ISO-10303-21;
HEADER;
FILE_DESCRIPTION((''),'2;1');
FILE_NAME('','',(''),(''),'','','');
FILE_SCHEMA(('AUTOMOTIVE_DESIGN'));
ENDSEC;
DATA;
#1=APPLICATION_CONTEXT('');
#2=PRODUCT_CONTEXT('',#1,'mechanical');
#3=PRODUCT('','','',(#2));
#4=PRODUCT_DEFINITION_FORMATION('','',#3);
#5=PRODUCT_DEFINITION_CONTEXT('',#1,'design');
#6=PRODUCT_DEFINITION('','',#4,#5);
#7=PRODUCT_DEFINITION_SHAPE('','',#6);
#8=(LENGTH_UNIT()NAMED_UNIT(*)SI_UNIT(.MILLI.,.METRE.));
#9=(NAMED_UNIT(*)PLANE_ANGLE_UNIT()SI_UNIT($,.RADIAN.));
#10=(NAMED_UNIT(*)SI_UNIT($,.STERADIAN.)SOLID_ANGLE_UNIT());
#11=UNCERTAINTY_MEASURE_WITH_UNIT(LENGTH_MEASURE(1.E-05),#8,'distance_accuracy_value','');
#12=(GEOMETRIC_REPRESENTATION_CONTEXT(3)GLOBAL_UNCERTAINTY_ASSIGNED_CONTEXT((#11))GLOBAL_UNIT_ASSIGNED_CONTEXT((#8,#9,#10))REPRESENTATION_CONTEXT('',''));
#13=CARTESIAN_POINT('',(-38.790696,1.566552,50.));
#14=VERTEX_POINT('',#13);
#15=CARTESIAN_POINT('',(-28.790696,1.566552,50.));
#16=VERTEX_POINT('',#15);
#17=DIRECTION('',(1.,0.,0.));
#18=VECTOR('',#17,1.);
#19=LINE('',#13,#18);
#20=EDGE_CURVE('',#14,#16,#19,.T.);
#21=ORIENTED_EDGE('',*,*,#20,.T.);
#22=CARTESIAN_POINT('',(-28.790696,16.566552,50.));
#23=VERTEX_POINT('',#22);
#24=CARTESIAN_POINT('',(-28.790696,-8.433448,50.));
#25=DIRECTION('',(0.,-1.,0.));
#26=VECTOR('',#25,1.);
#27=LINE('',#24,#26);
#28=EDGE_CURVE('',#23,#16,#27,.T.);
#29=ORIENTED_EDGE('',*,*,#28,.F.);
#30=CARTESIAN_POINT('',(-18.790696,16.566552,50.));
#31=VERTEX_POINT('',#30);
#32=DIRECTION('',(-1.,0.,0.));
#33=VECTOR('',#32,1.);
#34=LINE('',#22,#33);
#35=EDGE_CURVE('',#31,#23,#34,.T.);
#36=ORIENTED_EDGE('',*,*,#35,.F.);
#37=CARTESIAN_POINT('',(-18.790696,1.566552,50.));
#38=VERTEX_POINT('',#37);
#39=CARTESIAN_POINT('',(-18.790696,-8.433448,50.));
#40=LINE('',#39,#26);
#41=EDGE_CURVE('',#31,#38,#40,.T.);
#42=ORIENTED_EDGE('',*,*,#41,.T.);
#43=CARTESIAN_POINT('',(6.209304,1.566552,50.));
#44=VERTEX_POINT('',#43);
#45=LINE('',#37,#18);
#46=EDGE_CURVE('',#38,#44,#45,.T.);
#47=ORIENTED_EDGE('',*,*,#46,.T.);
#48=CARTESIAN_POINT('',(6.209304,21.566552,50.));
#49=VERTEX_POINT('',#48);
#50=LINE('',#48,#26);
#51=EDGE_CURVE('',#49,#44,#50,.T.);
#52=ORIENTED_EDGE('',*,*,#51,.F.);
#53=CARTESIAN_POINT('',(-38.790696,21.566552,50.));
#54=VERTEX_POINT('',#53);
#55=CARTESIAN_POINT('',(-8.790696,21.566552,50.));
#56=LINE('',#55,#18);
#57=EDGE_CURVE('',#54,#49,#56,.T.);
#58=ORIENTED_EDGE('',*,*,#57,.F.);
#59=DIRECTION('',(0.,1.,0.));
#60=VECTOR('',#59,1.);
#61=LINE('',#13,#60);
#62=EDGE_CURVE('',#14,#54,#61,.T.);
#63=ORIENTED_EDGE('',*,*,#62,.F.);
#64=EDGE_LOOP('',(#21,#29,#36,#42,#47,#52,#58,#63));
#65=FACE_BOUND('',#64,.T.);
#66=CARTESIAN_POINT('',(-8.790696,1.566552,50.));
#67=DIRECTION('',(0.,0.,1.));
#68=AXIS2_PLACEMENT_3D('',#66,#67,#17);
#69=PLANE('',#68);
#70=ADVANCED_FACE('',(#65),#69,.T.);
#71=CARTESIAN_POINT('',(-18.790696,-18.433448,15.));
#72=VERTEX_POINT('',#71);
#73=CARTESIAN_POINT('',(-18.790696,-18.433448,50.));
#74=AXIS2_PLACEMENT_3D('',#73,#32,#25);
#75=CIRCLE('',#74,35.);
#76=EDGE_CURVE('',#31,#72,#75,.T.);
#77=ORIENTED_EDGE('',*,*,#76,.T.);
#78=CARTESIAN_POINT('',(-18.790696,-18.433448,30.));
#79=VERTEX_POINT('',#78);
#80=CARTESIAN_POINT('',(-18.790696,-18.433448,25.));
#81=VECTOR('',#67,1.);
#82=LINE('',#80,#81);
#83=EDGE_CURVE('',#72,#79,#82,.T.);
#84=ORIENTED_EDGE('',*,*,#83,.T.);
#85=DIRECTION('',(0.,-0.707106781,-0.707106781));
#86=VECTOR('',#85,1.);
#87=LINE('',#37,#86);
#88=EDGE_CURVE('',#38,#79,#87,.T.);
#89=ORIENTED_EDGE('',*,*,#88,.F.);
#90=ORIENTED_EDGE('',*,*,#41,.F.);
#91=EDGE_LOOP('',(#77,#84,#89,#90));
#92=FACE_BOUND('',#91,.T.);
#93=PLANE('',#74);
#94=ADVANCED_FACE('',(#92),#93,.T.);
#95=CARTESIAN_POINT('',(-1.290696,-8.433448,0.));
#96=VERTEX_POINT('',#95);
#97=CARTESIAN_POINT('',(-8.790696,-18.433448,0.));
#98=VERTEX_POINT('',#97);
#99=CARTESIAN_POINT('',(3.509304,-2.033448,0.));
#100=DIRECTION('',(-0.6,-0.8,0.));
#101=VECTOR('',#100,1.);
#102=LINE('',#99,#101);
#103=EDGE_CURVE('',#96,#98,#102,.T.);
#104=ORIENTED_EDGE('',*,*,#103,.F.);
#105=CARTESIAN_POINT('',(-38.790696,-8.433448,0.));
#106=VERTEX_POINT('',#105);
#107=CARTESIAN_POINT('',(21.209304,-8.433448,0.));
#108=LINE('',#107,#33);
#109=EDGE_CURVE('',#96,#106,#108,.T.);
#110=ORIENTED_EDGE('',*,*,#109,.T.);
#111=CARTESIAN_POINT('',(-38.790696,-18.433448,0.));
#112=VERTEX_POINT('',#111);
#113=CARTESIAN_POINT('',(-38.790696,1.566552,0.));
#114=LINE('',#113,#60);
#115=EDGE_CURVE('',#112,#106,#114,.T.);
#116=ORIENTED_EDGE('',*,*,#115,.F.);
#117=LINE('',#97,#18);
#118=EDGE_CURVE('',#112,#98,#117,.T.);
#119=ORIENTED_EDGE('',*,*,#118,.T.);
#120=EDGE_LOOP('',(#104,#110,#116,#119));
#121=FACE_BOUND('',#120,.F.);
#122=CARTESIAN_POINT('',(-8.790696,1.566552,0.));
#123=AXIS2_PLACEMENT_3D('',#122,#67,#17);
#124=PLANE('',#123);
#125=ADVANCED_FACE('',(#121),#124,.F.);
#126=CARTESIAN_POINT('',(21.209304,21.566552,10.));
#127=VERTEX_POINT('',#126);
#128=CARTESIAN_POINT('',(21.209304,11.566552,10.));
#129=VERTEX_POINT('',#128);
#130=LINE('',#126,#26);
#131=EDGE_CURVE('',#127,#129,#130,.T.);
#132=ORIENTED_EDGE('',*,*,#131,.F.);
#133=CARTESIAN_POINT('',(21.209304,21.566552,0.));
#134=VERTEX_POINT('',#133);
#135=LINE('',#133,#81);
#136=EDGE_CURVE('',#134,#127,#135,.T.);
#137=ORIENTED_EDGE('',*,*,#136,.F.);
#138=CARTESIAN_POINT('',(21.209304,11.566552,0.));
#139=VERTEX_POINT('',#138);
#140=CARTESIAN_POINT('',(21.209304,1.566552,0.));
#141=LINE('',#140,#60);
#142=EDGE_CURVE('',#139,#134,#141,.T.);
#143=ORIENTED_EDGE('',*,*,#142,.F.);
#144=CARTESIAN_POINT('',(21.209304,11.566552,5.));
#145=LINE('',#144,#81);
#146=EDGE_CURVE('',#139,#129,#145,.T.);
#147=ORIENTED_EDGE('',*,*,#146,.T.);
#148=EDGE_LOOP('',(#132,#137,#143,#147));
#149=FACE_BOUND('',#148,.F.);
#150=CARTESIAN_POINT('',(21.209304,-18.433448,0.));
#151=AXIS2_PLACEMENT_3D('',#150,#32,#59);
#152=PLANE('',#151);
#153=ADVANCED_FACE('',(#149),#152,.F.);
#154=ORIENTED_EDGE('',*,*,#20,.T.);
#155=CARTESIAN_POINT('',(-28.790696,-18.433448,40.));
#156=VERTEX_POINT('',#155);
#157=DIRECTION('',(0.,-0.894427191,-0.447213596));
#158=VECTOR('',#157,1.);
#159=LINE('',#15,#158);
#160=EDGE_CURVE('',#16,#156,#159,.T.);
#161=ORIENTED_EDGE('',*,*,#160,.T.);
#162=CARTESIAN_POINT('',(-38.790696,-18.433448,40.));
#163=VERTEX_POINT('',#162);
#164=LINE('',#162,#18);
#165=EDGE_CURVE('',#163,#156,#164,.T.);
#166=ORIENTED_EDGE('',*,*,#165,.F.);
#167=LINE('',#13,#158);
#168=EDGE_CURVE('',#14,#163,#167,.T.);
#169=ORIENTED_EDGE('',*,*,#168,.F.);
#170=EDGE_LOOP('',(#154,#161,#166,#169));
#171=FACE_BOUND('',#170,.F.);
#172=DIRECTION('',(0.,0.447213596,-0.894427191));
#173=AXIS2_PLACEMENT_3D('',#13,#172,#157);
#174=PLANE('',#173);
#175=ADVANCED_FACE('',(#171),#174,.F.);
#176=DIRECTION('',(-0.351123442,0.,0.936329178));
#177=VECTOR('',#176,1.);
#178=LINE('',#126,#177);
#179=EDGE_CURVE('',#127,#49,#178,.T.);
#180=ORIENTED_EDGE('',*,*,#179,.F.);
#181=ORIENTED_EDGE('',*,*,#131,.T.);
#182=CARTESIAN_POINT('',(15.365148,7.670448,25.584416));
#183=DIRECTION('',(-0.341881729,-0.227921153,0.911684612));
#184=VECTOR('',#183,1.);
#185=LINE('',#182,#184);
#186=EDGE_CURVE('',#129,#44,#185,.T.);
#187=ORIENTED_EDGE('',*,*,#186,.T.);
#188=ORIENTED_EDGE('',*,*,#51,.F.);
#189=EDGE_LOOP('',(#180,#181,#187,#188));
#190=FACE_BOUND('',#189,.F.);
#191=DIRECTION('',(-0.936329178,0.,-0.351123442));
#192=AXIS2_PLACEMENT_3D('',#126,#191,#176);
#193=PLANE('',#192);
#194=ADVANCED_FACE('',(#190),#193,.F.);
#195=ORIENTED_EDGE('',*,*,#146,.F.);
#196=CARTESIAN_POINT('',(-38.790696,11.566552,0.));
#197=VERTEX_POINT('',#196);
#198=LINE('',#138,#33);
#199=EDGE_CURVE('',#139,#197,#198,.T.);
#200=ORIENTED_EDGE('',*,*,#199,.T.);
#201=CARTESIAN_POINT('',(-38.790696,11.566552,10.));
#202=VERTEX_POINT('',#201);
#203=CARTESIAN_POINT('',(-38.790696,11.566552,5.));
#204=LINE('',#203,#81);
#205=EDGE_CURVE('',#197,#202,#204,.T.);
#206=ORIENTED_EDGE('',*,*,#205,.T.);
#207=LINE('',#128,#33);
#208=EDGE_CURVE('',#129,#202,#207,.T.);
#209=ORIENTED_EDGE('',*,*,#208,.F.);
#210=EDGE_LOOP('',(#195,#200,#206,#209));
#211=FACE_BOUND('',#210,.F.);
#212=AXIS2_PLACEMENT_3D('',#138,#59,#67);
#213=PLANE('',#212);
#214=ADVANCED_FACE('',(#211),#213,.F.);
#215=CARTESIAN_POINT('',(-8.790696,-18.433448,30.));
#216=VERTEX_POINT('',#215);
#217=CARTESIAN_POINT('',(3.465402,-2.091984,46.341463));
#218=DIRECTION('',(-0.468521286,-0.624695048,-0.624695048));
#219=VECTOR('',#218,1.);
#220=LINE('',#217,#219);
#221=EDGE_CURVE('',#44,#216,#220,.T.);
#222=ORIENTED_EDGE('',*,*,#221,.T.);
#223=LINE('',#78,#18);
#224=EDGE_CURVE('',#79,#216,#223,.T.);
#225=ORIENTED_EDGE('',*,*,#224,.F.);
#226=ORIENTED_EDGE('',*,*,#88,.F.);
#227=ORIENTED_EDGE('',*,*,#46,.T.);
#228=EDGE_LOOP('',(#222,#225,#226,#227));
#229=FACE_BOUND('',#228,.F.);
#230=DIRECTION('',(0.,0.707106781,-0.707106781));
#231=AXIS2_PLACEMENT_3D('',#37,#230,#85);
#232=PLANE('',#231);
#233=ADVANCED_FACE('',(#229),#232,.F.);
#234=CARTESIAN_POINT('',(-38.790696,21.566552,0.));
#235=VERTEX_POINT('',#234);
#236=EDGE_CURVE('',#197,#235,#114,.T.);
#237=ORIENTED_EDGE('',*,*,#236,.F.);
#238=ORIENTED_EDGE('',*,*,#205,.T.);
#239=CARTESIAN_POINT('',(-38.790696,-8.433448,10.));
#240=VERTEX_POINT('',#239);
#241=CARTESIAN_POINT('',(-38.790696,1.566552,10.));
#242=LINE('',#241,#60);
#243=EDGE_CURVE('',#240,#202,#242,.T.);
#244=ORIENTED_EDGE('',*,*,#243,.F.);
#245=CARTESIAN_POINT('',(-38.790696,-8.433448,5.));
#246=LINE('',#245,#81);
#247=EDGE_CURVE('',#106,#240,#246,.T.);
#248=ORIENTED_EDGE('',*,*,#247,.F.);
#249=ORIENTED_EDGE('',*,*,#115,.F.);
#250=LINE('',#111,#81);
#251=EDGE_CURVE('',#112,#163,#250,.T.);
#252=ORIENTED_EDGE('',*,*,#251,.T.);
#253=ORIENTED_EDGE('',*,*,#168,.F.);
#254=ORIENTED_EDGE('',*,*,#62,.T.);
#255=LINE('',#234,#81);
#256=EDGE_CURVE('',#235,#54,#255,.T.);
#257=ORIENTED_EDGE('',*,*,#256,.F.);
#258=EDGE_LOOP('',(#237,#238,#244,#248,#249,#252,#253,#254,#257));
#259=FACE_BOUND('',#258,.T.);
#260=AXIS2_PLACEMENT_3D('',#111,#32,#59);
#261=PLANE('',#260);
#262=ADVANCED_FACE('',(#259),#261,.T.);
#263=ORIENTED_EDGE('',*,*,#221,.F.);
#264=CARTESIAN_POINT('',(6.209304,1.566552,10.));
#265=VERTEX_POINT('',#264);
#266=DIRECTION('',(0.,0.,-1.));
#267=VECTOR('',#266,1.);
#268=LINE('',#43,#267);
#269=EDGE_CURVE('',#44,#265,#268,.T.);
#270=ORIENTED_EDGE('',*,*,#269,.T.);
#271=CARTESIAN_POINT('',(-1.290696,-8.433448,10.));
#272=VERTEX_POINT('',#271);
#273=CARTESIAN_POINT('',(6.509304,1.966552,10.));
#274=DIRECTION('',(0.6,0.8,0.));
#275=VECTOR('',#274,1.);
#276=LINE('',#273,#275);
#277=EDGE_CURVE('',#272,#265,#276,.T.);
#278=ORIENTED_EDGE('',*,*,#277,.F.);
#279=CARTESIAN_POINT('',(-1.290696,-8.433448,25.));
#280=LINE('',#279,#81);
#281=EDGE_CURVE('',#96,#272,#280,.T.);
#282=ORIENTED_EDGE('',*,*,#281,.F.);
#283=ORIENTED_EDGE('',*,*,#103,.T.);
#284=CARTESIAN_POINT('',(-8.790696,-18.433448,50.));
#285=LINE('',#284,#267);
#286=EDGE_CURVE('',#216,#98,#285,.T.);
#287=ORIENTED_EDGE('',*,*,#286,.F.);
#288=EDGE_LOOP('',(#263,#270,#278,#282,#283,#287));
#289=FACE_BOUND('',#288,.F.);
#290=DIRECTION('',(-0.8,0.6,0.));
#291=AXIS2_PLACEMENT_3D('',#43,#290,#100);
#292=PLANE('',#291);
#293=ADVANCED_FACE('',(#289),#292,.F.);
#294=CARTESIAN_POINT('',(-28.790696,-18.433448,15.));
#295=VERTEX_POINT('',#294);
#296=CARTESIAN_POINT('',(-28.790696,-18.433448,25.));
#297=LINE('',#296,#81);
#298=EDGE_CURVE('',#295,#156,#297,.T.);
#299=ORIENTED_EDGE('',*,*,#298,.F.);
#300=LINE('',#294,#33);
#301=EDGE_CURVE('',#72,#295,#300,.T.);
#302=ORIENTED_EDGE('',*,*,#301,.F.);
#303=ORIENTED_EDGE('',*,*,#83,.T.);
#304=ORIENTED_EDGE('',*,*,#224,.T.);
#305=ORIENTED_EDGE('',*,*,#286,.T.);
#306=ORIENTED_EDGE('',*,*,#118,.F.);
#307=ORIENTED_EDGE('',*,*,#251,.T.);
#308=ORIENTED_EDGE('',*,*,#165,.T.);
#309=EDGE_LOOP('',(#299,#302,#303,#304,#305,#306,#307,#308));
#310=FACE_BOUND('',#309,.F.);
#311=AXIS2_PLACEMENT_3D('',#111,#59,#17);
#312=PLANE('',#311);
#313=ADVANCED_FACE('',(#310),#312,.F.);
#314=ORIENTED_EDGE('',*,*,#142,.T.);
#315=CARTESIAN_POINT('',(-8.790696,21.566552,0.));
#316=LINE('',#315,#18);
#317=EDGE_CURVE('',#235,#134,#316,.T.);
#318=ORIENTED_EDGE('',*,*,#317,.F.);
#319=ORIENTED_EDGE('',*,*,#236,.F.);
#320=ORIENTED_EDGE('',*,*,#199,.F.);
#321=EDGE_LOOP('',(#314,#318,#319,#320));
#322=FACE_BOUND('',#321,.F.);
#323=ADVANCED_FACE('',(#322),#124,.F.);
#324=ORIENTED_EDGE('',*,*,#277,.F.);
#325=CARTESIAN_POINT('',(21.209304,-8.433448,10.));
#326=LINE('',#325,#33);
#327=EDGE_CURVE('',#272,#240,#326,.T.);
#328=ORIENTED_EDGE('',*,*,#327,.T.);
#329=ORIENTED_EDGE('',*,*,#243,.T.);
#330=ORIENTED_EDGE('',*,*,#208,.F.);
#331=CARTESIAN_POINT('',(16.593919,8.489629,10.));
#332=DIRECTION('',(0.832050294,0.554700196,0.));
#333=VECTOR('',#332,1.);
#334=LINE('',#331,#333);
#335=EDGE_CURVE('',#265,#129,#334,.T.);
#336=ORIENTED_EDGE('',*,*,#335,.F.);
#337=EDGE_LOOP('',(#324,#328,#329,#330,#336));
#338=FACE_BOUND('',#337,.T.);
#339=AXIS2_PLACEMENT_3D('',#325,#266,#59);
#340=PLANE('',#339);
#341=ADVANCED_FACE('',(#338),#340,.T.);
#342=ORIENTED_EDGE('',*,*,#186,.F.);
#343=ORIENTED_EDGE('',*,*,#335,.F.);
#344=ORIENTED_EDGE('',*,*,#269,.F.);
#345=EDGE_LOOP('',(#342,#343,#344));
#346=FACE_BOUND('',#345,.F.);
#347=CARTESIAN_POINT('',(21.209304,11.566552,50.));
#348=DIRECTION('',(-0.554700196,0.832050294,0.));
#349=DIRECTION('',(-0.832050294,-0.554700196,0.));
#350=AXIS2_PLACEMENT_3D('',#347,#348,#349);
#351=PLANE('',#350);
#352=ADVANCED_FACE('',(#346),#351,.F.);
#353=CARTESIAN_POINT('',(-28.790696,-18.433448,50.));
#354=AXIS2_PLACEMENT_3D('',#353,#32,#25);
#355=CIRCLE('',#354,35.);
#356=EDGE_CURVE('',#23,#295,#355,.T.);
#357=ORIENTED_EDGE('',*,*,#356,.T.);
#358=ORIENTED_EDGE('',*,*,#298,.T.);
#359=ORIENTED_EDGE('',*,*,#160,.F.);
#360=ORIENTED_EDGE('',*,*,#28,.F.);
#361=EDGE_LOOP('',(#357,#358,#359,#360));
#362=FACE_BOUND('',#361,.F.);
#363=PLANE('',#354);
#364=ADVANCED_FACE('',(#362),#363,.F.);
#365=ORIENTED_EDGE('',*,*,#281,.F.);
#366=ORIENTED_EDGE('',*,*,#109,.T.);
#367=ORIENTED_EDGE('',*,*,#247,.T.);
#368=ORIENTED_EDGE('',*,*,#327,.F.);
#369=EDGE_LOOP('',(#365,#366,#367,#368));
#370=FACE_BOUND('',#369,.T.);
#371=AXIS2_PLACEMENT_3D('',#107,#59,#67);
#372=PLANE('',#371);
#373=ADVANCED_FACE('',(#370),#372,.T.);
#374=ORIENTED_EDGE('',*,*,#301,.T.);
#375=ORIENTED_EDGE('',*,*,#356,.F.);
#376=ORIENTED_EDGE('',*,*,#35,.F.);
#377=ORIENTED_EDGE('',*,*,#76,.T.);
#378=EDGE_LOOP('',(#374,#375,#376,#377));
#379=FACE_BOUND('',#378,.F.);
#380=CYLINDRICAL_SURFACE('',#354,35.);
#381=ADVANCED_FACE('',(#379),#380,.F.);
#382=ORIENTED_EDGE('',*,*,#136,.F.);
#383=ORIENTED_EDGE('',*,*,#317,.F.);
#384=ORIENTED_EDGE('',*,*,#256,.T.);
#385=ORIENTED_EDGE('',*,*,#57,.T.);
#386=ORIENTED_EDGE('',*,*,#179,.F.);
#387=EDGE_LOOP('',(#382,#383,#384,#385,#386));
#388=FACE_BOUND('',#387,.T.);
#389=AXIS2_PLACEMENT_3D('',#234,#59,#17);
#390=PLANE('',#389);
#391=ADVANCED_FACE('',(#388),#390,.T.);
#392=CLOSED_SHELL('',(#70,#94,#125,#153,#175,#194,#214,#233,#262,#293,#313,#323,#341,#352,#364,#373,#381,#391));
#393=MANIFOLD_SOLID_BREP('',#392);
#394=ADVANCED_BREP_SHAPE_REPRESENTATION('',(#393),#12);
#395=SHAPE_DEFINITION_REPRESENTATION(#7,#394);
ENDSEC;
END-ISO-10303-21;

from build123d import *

# Parameters (mm, degrees)
F0_W      = 60
F0_H      = 40
F1_DEPTH  = 50
F3_R      = 35
F4_DEPTH  = 10
F6_DEPTH  = 10
F7_W      = 20
F7_H      = 10
F8_DEPTH  = 60
F10_DEPTH = 50.001
F12_DEPTH = 25
F14_DEPTH = 25


with BuildPart() as f1:
    # F0 (on Top) → F1 (new body)
    with BuildSketch(Plane.XY):
        with Locations((-8.7906960398, 1.5665522108)):
            Rectangle(F0_W, F0_H)
    extrude(amount=F1_DEPTH)

    # F3 (on offset) → F4 (cut)
    with BuildSketch(Plane(origin=(-28.7906960398, 0, 0), x_dir=(0, -1, 0), z_dir=(-1, 0, 0))):
        with Locations((18.4334477892, 50)):
            Circle(F3_R)
    extrude(amount=-F4_DEPTH, mode=Mode.SUBTRACT)

    # F5 (on face) → F6 (cut)
    with BuildSketch(Plane(origin=(-38.7906960398, 0, 0), x_dir=(0, -1, 0), z_dir=(-1, 0, 0))):
        Polygon((18.4334477892, 50), (-1.5665522108, 50), (18.4334477892, 40), align=None)
    extrude(amount=-F6_DEPTH, mode=Mode.SUBTRACT)

    # F7 (on face) → F8 (cut, through all)
    with BuildSketch(Plane.YZ.offset(21.2093039602)):
        with Locations((1.5665522108, 5)):
            Rectangle(F7_W, F7_H)
    extrude(amount=-F8_DEPTH, mode=Mode.SUBTRACT)

    # F9 (on face) → F10 (cut, through all)
    with BuildSketch(Plane.XY.offset(50)):
        Polygon((21.2093039602, -18.4334477892), (21.2093039602, 11.5665522108), (6.2093039602, 1.5665522108), (-8.7906960398, -18.4334477892), align=None)
    extrude(amount=-F10_DEPTH, mode=Mode.SUBTRACT)

    # F11 (on face) → F12 (cut)
    with BuildSketch(Plane(origin=(0, 21.5665522108, 0), x_dir=(-1, 0, 0), z_dir=(0, 1, 0))):
        Polygon((-6.2093039602, 50), (-21.2093039602, 50), (-21.2093039602, 10), align=None)
    extrude(amount=-F12_DEPTH, mode=Mode.SUBTRACT)

    # F13 (on face) → F14 (cut)
    with BuildSketch(Plane(origin=(-18.7906960398, 0, 0), x_dir=(0, -1, 0), z_dir=(-1, 0, 0))):
        Polygon((18.4334477892, 50), (-1.5665522108, 50), (18.4334477892, 30), align=None)
    extrude(amount=-F14_DEPTH, mode=Mode.SUBTRACT)


solid = f1.part
